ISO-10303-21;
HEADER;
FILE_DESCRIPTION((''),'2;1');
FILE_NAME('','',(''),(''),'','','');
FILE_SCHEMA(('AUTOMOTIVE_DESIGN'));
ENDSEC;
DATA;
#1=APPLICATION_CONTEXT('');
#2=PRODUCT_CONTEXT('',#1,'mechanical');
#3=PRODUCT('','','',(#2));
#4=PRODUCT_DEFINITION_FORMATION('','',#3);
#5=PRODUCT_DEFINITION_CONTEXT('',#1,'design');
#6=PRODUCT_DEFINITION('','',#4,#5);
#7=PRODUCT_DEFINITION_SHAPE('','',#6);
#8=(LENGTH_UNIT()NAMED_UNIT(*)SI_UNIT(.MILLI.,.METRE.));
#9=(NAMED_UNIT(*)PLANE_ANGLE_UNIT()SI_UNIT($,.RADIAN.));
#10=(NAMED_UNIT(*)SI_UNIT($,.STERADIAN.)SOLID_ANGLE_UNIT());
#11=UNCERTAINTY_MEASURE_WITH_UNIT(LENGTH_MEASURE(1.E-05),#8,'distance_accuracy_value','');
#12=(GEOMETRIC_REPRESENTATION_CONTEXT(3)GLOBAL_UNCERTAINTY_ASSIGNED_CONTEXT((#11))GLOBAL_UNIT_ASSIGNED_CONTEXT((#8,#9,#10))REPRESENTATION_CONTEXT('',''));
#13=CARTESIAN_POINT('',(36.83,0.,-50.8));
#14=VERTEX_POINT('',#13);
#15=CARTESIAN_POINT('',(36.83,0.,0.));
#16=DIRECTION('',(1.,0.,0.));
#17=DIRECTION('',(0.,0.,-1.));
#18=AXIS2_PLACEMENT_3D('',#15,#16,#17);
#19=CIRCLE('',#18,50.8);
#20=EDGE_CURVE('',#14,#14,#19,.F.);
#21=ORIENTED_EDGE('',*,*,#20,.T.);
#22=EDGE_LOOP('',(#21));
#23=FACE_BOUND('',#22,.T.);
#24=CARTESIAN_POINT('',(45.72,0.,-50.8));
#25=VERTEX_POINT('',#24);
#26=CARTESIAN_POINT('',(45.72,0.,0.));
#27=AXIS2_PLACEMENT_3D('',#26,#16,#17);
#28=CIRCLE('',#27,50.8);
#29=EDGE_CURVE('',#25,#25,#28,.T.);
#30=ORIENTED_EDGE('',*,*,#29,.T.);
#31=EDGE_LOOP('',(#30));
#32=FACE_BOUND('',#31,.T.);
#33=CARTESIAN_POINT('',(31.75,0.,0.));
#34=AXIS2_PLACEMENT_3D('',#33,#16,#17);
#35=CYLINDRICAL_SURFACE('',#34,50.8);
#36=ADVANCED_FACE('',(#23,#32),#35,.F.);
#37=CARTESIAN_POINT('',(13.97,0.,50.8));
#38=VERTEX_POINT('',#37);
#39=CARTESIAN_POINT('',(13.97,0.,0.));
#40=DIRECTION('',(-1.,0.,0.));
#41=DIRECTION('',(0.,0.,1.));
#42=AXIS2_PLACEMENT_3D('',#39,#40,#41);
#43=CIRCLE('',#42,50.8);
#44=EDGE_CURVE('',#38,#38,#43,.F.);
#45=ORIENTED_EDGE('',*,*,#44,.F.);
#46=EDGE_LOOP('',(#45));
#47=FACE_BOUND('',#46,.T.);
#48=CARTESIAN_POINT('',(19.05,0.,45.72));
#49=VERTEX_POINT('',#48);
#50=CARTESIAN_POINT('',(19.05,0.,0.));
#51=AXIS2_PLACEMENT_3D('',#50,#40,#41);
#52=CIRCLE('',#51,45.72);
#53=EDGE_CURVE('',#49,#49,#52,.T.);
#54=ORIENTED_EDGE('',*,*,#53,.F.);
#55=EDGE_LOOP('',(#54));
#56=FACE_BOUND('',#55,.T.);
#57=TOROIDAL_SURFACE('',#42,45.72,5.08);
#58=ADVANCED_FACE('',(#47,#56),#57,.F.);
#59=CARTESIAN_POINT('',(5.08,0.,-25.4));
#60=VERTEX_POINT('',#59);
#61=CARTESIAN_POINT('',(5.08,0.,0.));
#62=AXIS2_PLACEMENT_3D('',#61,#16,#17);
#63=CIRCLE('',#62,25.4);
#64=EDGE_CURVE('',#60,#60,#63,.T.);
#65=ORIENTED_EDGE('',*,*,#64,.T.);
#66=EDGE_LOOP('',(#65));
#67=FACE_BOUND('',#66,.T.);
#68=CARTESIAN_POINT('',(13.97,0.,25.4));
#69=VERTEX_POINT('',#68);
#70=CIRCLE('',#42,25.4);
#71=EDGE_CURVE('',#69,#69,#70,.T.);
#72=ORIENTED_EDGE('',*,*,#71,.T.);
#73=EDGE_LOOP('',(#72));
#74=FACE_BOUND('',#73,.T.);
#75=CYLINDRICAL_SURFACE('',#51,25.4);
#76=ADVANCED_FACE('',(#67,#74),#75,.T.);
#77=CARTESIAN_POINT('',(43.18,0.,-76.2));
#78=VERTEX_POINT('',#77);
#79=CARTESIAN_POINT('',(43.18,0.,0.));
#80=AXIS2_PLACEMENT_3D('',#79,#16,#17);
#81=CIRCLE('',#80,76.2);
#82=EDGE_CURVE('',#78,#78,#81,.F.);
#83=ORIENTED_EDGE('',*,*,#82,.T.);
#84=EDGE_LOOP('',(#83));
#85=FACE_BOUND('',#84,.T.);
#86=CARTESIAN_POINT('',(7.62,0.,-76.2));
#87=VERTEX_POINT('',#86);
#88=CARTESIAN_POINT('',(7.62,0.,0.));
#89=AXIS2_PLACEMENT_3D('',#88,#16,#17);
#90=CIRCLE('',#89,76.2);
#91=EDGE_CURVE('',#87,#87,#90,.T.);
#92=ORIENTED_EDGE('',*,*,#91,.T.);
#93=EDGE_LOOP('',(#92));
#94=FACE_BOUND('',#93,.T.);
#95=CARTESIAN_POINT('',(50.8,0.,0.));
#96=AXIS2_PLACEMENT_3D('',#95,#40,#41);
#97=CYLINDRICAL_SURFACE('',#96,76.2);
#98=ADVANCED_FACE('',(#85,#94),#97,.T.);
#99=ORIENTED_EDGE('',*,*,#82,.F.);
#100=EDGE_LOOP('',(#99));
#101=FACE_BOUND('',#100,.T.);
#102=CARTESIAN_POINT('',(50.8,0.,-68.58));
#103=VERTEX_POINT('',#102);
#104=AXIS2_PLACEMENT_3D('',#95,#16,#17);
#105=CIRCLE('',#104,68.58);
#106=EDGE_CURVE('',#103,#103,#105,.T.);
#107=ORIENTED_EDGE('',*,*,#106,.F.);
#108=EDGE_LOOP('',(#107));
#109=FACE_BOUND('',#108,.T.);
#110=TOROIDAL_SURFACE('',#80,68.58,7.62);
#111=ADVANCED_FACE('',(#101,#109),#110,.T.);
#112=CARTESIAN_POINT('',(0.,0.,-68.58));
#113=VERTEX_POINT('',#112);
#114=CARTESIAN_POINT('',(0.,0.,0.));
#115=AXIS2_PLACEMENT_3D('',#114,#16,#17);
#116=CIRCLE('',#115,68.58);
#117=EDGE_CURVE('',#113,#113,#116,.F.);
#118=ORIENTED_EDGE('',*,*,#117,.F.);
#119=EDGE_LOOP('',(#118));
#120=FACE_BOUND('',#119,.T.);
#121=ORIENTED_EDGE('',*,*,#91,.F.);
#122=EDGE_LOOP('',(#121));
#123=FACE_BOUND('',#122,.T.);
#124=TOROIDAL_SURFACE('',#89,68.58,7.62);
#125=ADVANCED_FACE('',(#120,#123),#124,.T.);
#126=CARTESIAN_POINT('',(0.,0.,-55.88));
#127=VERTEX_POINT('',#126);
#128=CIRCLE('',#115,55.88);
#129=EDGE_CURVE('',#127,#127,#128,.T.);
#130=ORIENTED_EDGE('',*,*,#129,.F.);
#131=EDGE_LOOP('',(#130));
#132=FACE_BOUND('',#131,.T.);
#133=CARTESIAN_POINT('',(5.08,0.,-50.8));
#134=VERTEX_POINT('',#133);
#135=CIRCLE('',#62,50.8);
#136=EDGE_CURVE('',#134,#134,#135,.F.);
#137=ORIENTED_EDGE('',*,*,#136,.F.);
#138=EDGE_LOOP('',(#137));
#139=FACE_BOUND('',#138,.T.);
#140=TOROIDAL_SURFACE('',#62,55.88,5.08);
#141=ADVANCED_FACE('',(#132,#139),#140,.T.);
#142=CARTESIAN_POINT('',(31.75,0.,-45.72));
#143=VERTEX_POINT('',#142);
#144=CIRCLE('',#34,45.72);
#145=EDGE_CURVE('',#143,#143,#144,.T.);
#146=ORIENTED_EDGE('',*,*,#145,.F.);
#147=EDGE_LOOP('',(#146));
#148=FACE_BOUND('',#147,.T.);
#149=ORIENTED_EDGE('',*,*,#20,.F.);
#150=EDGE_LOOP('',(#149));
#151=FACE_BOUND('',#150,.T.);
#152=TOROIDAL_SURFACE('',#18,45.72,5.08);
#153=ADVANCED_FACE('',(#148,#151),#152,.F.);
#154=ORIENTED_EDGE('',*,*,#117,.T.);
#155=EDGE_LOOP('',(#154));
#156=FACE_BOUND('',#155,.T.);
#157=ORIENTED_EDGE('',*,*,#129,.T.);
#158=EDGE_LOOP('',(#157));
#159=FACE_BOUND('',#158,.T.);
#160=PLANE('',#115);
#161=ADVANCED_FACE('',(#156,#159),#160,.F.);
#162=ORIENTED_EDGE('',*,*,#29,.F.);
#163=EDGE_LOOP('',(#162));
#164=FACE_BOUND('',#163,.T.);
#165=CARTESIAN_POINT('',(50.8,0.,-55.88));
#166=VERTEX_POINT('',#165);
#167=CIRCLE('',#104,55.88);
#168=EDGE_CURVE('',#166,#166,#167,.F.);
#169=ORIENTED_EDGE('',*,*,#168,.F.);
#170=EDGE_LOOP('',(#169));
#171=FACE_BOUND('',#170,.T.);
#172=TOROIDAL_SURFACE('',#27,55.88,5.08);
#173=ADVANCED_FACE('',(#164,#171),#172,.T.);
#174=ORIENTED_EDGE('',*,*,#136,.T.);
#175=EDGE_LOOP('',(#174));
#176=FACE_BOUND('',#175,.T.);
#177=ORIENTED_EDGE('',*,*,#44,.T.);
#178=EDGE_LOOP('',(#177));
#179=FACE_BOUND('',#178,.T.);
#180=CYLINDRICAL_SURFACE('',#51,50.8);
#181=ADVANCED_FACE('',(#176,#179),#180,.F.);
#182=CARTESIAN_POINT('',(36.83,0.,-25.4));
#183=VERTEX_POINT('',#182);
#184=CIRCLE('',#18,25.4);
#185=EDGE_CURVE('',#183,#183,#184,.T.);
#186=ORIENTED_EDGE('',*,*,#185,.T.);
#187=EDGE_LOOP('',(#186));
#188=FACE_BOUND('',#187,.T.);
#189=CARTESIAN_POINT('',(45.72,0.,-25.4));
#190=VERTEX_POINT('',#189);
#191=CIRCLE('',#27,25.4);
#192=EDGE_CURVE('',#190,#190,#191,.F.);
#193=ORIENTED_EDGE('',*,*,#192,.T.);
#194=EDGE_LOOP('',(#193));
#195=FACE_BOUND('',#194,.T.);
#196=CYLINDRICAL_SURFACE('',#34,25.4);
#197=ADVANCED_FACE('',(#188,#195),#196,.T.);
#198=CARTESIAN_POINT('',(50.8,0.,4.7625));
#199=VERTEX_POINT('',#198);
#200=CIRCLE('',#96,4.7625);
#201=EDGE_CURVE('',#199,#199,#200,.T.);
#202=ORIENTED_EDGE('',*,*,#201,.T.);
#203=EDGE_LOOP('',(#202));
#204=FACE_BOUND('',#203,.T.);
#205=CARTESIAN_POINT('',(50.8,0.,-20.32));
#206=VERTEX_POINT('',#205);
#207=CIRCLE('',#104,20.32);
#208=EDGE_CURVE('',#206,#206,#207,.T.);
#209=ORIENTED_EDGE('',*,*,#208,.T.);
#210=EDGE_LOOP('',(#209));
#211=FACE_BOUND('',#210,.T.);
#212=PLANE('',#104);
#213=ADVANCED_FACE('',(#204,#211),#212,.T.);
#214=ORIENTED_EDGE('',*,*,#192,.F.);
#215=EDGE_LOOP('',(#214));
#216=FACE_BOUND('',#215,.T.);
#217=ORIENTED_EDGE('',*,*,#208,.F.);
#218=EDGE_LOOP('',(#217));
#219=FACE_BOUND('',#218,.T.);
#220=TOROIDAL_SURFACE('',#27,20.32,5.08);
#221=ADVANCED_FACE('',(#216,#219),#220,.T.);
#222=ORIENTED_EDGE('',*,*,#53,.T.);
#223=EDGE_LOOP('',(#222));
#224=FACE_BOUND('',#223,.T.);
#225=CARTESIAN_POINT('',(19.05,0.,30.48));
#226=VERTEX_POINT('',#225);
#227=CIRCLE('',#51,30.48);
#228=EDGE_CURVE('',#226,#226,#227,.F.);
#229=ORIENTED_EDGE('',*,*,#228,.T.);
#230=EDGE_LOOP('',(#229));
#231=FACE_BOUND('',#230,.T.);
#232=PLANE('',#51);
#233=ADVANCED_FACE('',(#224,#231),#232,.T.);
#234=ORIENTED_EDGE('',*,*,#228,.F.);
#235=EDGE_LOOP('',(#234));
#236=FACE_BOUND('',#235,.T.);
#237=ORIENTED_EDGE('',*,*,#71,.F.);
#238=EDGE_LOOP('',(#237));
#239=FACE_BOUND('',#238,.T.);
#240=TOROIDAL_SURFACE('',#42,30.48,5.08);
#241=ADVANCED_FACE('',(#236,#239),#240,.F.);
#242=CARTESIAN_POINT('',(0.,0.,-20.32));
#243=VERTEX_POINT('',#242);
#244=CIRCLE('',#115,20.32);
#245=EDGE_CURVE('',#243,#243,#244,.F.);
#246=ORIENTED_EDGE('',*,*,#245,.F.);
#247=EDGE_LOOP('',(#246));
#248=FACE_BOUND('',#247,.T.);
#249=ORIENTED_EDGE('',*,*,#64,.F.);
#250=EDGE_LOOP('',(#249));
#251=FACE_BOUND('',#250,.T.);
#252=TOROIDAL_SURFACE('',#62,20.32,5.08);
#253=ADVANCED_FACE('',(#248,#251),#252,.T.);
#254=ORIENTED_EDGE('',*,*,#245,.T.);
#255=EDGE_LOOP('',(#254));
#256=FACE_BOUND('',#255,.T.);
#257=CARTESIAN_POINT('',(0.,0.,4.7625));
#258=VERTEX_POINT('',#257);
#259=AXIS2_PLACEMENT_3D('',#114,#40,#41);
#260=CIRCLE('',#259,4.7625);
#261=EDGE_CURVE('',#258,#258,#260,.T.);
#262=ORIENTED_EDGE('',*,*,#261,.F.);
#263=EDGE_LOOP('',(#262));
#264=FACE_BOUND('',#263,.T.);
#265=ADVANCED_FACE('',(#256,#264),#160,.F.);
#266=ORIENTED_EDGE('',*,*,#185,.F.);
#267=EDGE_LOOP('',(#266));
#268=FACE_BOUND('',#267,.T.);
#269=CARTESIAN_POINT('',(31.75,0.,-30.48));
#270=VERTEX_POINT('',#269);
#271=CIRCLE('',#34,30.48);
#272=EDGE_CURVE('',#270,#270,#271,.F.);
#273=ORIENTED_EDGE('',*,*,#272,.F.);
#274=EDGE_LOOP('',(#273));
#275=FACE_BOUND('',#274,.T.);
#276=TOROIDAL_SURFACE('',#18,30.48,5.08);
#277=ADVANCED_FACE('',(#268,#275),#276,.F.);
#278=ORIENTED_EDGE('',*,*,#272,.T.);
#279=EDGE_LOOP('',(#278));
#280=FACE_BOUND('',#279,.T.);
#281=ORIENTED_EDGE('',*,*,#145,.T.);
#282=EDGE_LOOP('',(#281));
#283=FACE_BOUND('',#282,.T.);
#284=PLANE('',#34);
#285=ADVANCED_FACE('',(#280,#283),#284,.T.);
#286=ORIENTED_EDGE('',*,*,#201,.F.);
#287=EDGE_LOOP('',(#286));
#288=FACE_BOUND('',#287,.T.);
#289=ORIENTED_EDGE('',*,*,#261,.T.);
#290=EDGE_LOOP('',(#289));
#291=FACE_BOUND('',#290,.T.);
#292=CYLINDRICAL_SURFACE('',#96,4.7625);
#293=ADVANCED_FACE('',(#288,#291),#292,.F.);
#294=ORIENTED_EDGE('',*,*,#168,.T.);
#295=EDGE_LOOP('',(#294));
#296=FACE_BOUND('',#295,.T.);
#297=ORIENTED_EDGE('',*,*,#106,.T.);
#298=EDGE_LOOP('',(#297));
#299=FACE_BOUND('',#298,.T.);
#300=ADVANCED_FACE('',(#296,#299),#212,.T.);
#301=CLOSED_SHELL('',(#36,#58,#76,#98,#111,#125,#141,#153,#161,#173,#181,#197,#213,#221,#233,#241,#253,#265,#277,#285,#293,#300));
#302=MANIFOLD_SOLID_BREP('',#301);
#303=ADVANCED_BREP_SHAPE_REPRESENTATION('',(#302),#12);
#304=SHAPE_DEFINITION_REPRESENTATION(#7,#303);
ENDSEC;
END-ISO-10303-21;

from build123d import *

# Parameters (mm, degrees)
SKETCH1_R           = 76.2
BOSS_EXTRUDE1_DEPTH = 50.8
SKETCH2_R           = 50.8
SKETCH2_R_2         = 25.4
CUT_EXTRUDE1_DEPTH  = 19.05
SKETCH3_R           = 50.8
SKETCH3_R_2         = 25.4
CUT_EXTRUDE2_DEPTH  = 19.05
SKETCH4_R           = 4.7625
CUT_EXTRUDE3_DEPTH  = 51.8
FILLET1_R           = 7.62
FILLET2_R           = 5.08


with BuildPart() as part:
    # Sketch1 → Boss-Extrude1 (new body)
    with BuildSketch(Plane(origin=(0, 0, 0), x_dir=(0, 0, -1), z_dir=(1, 0, 0))):
        Circle(SKETCH1_R)
    extrude(amount=BOSS_EXTRUDE1_DEPTH)

    # Sketch2 → Cut-Extrude1 (cut)
    with BuildSketch(Plane(origin=(50.8, 0, 0), x_dir=(0, 0, -1), z_dir=(1, 0, 0))):
        Circle(SKETCH2_R)
        Circle(SKETCH2_R_2, mode=Mode.SUBTRACT)
    extrude(amount=-CUT_EXTRUDE1_DEPTH, mode=Mode.SUBTRACT)

    # Sketch3 → Cut-Extrude2 (cut)
    with BuildSketch(Plane.ZY):
        Circle(SKETCH3_R)
        Circle(SKETCH3_R_2, mode=Mode.SUBTRACT)
    extrude(amount=-CUT_EXTRUDE2_DEPTH, mode=Mode.SUBTRACT)

    # Sketch4 → Cut-Extrude3 (cut, through all)
    with BuildSketch(Plane.ZY):
        Circle(SKETCH4_R)
    extrude(amount=-CUT_EXTRUDE3_DEPTH, mode=Mode.SUBTRACT)

    # Fillet1
    fillet1_edges = [part.edges().sort_by_distance(p)[0] for p in [
        (0, 0, 76.2),
        (50.8, 0, 76.2),
    ]]
    fillet(fillet1_edges, radius=FILLET1_R)

    # Fillet2
    fillet2_edges = [part.edges().sort_by_distance(p)[0] for p in [
        (19.05, 0, -50.8),
        (19.05, 0, -25.4),
        (0, 0, -50.8),
        (0, 0, -25.4),
        (31.75, 0, 50.8),
        (31.75, 0, 25.4),
        (50.8, 0, 50.8),
        (50.8, 0, 25.4),
    ]]
    fillet(fillet2_edges, radius=FILLET2_R)


solid = part.part
